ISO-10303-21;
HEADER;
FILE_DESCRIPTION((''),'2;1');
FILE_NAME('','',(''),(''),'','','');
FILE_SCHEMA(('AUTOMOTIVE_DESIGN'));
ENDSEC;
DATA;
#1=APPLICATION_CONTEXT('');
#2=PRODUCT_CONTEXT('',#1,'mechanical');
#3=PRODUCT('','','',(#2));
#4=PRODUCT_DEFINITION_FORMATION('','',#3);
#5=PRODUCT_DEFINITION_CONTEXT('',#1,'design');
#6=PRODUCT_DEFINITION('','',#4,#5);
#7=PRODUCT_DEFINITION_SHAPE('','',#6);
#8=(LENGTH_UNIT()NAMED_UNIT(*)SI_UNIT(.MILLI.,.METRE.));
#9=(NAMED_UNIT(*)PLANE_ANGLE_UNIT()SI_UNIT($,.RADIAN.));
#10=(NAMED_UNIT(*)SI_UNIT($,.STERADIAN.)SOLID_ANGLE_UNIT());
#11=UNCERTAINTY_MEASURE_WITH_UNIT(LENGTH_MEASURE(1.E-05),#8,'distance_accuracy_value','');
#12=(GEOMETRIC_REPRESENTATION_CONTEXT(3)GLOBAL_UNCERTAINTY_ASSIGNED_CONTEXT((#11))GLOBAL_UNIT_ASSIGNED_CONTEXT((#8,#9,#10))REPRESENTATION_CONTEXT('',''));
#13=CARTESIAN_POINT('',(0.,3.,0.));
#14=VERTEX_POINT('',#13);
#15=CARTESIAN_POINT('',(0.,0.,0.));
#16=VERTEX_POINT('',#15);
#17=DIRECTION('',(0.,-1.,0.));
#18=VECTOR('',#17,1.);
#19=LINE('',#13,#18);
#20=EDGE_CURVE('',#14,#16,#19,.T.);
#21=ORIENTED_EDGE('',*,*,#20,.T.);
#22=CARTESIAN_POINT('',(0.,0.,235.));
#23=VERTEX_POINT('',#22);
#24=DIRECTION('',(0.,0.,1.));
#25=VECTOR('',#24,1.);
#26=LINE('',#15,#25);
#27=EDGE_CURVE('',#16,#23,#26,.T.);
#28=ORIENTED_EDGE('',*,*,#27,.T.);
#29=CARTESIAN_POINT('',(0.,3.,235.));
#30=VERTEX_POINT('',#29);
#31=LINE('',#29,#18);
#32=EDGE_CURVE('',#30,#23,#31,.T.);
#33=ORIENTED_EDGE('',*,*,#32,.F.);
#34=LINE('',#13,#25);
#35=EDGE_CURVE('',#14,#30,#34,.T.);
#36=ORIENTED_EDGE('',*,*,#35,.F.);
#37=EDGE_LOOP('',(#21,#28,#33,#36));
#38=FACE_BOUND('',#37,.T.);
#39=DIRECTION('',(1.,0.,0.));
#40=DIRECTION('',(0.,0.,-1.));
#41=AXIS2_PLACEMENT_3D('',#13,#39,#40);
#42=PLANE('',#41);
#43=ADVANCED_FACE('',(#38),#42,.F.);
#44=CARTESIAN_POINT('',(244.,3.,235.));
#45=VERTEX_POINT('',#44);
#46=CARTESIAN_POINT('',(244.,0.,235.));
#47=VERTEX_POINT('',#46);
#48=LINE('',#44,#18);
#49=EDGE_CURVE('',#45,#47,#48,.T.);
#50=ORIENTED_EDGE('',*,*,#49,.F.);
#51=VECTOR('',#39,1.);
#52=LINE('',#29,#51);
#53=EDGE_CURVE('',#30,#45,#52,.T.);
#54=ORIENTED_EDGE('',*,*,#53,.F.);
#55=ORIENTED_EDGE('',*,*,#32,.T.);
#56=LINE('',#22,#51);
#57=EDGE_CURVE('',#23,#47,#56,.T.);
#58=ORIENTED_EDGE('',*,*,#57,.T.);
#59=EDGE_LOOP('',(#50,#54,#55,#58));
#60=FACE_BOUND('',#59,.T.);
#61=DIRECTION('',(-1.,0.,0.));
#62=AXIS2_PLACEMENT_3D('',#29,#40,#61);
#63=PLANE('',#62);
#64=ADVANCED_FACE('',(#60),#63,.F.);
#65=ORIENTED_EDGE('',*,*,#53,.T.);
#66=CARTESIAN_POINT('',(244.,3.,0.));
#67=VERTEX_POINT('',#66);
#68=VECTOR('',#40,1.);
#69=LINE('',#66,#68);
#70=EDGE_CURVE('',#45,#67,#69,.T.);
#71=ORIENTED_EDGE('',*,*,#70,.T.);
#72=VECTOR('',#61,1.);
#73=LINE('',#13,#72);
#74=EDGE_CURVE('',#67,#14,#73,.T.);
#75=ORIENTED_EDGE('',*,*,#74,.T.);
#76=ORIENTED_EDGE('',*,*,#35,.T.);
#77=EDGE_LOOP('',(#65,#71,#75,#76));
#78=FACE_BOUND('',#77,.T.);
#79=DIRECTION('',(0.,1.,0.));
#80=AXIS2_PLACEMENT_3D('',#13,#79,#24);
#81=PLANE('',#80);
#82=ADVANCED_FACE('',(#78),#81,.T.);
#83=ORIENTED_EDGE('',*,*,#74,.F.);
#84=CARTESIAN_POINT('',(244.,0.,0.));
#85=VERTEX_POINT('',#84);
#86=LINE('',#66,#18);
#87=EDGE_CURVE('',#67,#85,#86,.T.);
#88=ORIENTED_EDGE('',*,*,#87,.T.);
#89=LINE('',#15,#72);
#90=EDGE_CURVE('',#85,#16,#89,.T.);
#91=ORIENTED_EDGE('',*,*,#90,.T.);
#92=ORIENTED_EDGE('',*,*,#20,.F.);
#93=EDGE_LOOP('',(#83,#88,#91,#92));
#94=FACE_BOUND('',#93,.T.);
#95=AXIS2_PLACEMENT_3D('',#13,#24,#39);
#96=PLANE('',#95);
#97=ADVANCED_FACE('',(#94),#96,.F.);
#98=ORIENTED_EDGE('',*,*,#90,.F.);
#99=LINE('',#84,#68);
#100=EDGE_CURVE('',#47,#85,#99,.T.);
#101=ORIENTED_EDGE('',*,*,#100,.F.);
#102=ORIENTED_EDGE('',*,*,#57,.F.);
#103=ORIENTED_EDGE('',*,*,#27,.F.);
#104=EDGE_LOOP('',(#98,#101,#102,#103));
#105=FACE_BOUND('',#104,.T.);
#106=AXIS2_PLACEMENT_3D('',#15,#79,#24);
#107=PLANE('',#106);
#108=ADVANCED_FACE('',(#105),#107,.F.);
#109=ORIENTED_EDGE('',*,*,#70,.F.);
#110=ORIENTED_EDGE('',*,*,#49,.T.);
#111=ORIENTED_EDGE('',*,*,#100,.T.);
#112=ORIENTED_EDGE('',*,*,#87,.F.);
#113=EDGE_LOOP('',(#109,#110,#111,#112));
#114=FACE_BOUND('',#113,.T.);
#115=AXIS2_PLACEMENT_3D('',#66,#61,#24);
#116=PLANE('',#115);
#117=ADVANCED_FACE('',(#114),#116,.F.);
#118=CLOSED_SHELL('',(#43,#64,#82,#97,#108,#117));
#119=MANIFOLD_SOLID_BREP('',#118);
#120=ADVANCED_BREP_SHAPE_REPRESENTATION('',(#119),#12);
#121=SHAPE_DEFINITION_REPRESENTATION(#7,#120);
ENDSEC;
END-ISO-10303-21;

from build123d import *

# Parameters (mm, degrees)
SKETCH_1_W      = 244
SKETCH_1_H      = 235
EXTRUDE_1_DEPTH = 3


with BuildPart() as part:
    # 草图1 → 凸台-拉伸1 (new body)
    with BuildSketch(Plane(origin=(0, 0, 0), x_dir=(1, 0, 0), z_dir=(0, 1, 0))):
        with Locations((122, -117.5)):
            Rectangle(SKETCH_1_W, SKETCH_1_H)
    extrude(amount=EXTRUDE_1_DEPTH)


solid = part.part
